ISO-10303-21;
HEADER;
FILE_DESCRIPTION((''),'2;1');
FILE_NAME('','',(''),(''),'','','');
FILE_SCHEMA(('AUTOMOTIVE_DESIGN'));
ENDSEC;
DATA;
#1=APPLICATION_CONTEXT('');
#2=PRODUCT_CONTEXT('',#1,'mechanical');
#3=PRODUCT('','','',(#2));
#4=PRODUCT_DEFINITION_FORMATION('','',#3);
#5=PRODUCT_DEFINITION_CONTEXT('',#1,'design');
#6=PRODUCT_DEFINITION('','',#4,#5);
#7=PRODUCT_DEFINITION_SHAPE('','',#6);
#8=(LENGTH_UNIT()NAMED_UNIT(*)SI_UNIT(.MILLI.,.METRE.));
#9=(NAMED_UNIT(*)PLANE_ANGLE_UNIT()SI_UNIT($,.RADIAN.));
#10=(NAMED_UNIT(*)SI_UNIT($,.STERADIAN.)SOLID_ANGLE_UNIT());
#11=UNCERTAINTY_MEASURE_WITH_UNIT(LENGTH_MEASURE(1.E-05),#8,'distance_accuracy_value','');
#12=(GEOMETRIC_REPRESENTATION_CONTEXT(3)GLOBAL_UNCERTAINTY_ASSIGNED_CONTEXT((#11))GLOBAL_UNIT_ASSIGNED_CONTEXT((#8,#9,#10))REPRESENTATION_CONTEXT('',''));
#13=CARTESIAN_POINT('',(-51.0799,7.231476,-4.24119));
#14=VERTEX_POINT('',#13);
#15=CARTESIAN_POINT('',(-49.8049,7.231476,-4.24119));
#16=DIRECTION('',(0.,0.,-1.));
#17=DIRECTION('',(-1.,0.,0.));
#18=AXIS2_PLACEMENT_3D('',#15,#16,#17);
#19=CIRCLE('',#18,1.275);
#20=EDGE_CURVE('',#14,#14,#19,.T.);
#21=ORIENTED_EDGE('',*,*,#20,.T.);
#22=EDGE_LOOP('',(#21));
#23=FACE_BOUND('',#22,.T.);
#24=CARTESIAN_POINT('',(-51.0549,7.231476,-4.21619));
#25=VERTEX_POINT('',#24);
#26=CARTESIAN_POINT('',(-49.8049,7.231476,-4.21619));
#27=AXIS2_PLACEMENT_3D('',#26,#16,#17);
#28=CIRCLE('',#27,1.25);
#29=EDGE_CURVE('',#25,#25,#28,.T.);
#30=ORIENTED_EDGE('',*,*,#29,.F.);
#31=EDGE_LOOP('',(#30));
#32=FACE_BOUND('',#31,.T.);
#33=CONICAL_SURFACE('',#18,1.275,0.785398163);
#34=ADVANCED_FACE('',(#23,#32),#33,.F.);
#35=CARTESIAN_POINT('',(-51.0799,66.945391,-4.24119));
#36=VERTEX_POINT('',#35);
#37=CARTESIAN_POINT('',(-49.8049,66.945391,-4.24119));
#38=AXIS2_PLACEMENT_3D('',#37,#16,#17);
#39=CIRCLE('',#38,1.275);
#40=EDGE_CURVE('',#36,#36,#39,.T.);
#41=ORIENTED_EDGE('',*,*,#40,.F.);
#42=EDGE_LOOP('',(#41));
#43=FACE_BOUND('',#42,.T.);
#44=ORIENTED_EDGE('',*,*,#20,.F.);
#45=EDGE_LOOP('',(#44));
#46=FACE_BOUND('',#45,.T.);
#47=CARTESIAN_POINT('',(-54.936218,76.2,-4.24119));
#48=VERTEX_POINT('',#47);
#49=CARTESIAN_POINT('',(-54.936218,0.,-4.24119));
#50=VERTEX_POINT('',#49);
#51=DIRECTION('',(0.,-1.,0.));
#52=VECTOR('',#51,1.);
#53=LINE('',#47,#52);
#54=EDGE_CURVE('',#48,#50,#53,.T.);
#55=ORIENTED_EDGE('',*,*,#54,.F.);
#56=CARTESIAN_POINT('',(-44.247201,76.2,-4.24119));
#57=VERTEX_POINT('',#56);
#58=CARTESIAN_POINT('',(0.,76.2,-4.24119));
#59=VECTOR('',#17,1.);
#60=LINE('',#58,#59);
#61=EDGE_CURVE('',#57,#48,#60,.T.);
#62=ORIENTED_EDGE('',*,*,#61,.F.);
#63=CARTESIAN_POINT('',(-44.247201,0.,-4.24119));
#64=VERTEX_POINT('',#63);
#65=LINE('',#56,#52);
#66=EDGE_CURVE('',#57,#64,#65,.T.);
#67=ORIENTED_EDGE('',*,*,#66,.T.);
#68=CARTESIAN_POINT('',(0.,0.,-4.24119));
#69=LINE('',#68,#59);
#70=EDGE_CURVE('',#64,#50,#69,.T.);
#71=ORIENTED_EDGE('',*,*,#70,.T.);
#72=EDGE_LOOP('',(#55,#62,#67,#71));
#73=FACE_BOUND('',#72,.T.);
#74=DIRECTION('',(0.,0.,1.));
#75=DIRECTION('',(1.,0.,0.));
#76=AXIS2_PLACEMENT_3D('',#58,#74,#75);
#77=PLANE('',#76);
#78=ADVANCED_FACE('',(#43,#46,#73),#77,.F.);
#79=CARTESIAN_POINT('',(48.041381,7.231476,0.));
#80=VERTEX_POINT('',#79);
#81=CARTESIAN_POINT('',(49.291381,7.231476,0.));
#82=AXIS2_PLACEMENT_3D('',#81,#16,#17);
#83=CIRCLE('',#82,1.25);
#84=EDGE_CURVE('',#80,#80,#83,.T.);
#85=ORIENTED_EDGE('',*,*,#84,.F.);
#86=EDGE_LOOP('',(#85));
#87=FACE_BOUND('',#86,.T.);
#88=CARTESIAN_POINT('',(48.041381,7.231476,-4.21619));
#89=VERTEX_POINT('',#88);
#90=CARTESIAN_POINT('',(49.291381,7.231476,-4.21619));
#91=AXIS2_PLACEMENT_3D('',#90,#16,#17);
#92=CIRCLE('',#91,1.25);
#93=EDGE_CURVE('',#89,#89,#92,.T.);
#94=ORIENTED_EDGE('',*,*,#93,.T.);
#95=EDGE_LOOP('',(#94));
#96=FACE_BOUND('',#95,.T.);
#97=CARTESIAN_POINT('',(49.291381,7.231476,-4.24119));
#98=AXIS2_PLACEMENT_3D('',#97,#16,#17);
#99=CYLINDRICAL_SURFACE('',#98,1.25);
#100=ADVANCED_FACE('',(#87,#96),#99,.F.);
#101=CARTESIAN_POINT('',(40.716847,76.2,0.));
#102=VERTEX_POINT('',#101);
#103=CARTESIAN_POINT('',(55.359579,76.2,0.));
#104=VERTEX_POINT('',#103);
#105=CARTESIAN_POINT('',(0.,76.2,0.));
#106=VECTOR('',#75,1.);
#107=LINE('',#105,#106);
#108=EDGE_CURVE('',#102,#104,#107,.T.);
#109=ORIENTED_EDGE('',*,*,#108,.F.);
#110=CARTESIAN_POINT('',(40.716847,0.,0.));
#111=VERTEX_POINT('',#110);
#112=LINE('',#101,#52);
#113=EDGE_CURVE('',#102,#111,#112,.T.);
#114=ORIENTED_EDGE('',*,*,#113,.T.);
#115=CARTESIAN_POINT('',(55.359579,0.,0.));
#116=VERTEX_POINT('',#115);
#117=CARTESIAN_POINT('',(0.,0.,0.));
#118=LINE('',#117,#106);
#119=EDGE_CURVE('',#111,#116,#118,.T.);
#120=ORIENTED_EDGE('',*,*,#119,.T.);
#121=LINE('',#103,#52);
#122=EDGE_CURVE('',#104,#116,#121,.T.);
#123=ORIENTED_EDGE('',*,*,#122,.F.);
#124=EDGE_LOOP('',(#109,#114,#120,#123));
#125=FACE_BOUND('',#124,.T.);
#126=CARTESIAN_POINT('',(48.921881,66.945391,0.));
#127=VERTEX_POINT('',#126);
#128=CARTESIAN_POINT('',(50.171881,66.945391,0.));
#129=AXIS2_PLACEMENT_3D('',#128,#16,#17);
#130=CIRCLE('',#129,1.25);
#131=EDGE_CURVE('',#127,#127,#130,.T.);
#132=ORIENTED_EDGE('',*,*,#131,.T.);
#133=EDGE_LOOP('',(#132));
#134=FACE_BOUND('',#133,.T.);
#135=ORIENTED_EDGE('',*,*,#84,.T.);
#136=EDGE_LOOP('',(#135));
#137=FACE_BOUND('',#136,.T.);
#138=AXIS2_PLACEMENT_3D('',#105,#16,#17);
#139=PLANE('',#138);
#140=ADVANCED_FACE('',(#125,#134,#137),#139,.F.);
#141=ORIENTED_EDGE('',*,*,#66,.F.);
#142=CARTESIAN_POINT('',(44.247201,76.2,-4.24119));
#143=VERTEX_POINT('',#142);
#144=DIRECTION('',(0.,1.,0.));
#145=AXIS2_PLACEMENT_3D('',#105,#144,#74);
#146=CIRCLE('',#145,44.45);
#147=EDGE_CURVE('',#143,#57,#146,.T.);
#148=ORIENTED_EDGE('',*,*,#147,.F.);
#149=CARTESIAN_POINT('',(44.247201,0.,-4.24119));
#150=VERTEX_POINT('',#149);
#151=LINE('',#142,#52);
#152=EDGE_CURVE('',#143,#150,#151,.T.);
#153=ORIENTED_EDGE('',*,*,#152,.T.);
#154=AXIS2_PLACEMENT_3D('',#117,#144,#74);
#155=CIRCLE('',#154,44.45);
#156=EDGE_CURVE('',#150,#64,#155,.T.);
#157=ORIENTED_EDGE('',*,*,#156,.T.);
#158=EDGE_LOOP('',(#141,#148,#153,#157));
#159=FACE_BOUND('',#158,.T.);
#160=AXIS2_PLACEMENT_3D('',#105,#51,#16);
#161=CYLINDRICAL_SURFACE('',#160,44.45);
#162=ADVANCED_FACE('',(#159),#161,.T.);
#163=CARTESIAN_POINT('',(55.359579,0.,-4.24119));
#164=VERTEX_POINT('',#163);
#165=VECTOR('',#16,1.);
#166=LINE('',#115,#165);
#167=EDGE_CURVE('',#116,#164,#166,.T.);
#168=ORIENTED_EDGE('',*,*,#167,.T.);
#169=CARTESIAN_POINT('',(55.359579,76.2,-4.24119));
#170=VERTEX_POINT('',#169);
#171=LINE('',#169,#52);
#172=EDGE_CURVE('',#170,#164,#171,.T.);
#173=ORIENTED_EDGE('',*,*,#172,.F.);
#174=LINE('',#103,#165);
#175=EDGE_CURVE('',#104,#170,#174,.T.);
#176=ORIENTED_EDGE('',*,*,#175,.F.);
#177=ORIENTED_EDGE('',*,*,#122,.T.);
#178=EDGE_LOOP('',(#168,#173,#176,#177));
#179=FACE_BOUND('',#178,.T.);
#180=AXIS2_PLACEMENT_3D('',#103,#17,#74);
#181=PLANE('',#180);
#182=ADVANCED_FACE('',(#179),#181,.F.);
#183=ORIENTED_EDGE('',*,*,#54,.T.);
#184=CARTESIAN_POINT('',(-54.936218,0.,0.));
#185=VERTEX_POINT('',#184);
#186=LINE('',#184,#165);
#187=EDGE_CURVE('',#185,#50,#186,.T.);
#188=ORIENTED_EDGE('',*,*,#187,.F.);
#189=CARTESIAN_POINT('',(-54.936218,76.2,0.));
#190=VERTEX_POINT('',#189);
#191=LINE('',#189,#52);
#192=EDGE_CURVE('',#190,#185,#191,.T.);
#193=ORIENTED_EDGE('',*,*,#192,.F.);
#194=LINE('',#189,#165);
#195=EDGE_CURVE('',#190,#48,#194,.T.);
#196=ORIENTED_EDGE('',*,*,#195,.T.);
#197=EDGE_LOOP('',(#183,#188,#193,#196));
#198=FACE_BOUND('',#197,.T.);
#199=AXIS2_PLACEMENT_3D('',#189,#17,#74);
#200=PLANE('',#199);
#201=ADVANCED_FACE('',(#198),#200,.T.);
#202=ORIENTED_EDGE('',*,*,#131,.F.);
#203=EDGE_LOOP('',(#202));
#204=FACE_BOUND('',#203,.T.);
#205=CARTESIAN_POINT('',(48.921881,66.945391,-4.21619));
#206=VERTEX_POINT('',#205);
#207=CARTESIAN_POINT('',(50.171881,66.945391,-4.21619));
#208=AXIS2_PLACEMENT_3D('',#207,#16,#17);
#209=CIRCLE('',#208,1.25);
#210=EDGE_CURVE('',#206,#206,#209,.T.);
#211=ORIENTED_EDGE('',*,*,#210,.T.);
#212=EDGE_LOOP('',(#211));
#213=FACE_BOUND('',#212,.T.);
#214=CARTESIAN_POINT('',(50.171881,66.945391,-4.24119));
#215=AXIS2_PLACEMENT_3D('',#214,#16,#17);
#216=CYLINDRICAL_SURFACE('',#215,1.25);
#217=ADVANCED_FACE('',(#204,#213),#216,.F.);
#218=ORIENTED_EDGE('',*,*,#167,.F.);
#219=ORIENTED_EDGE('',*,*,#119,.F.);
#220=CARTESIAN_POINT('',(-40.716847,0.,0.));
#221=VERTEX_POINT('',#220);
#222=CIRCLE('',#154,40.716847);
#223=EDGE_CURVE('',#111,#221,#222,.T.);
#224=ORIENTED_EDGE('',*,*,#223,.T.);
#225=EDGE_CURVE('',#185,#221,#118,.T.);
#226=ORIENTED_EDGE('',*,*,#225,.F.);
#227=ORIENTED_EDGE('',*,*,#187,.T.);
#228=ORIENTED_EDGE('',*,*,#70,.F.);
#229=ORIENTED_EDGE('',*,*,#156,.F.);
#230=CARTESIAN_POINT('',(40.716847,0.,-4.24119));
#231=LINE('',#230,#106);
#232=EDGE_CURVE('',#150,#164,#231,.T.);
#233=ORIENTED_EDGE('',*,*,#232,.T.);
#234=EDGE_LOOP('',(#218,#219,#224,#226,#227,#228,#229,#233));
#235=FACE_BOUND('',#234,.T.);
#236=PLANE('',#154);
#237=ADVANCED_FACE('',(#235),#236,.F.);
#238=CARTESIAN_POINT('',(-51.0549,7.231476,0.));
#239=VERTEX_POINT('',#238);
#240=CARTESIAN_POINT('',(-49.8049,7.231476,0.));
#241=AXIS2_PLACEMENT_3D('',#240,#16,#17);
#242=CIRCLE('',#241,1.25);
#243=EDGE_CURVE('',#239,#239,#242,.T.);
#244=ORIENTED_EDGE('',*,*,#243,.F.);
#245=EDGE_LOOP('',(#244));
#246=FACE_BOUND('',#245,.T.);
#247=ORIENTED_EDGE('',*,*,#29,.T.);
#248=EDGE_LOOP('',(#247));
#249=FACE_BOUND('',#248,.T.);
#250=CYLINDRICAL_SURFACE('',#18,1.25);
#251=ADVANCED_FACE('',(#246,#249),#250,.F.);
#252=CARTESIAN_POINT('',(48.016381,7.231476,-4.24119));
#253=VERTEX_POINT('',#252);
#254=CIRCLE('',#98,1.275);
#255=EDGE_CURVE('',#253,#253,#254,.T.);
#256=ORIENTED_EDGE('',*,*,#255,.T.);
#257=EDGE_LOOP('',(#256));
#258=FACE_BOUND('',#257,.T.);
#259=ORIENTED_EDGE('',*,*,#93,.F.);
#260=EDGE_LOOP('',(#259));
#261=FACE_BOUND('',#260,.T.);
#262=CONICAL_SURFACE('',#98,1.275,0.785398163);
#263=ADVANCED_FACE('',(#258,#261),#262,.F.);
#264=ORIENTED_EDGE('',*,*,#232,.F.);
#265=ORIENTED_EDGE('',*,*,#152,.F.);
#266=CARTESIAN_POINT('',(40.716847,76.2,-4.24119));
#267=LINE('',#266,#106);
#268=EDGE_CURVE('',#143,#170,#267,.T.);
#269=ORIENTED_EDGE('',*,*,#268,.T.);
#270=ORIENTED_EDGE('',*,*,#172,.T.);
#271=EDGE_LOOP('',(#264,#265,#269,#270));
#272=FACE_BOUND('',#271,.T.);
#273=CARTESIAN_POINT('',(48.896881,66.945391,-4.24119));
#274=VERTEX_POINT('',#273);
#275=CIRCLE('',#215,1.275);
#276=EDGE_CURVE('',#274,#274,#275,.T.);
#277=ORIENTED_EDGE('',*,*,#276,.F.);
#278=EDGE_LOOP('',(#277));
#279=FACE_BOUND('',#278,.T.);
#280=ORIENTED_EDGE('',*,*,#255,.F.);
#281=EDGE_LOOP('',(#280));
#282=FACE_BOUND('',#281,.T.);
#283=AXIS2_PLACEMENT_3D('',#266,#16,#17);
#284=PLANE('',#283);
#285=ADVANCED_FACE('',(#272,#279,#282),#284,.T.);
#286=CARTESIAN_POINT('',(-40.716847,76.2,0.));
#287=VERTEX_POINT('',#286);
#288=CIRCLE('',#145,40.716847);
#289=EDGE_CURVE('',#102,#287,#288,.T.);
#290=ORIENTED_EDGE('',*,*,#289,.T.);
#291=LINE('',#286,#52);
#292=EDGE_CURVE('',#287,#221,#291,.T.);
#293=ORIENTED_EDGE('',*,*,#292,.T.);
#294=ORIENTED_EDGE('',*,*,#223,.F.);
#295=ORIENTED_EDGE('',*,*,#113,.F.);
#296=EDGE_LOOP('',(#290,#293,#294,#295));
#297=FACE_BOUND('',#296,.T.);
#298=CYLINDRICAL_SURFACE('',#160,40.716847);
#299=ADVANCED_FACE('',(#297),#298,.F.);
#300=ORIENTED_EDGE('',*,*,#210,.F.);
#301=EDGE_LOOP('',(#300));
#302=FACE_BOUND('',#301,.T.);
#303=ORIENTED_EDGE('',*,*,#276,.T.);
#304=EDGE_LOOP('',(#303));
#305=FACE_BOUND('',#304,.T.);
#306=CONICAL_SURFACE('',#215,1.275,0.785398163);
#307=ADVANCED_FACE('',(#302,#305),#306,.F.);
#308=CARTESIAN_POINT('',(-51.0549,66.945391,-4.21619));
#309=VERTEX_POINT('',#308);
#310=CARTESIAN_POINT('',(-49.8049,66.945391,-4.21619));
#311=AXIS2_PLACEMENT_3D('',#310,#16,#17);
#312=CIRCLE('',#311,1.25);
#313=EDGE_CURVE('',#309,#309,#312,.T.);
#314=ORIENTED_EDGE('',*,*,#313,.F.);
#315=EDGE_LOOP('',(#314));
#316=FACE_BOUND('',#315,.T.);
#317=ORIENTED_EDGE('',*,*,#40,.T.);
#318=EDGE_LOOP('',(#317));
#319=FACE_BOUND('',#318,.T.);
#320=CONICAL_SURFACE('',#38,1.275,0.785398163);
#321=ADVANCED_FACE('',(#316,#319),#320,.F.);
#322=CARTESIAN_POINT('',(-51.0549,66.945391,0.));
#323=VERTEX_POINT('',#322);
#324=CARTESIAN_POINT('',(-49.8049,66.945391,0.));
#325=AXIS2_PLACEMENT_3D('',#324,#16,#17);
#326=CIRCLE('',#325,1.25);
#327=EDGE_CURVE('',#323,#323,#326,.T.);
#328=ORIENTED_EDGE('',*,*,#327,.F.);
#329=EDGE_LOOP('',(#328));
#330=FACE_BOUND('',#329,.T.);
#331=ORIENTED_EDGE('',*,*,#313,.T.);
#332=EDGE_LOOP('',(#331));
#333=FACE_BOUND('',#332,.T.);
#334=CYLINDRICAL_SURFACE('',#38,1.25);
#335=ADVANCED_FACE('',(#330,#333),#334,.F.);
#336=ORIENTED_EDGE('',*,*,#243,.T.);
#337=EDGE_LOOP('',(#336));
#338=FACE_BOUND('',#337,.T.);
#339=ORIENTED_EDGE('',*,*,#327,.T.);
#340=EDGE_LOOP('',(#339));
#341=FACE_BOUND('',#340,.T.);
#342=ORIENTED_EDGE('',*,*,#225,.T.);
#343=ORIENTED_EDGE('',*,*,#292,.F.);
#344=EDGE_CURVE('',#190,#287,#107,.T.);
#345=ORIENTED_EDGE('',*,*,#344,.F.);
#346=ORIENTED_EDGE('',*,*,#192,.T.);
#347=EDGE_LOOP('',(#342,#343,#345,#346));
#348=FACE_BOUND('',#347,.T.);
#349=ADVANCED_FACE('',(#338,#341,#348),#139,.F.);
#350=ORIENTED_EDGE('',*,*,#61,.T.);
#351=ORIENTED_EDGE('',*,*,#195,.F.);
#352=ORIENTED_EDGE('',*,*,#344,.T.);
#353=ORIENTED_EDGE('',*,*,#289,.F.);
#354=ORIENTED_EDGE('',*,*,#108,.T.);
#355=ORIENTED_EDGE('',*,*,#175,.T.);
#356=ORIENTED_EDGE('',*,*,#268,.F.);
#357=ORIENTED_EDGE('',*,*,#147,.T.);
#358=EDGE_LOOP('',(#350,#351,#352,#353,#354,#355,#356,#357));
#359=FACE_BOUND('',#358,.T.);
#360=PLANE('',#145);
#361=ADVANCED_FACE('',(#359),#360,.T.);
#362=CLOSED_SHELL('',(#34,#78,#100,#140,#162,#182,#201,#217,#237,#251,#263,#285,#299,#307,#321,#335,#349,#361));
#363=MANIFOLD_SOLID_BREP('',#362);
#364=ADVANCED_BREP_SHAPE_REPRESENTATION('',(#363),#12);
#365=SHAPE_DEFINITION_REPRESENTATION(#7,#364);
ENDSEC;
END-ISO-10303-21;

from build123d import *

# Parameters (mm, degrees)
BOSS_EXTRUDE1_DEPTH                   = 76.2
TAP_DRILL_FOR_M3X0_5_TAP1_D           = 2.5
TAP_DRILL_FOR_M3X0_5_TAP1_CSINK_D     = 2.55
TAP_DRILL_FOR_M3X0_5_TAP1_CSINK_ANGLE = 90


with BuildPart() as part:
    # Sketch1 → Boss-Extrude1 (new body)
    with BuildSketch(Plane(origin=(0, 0, 0), x_dir=(1, 0, 0), z_dir=(0, 1, 0))):
        with BuildLine():
            Line((-44.247201079, 4.24119048), (-54.936217795, 4.24119048))
            Line((-54.936217795, 4.24119048), (-54.936217795, 0))
            Line((-54.936217795, 0), (-40.716846583, 0))
            ThreePointArc((-40.716846583, 0), (0, 40.716846583), (40.716846583, 0))
            Line((40.716846583, 0), (55.359579402, 0))
            Line((55.359579402, 0), (55.359579402, 4.24119048))
            Line((55.359579402, 4.24119048), (44.247201079, 4.24119048))
            ThreePointArc((44.247201079, 4.24119048), (0, 44.45), (-44.247201079, 4.24119048))
        make_face()
    extrude(amount=BOSS_EXTRUDE1_DEPTH)

    # Tap Drill for M3x0.5 Tap1 (through all)
    with Locations(Plane(origin=(50.171881224, 66.945390665, -4.24119048), x_dir=(-1, 0, 0), z_dir=(0, 0, -1))):
        with Locations((0, 0), (0.880500078, -59.713914359), (99.976781548, -59.713914359), (99.976781548, 0)):
            CounterSinkHole(TAP_DRILL_FOR_M3X0_5_TAP1_D / 2, TAP_DRILL_FOR_M3X0_5_TAP1_CSINK_D / 2, counter_sink_angle=TAP_DRILL_FOR_M3X0_5_TAP1_CSINK_ANGLE)


solid = part.part
